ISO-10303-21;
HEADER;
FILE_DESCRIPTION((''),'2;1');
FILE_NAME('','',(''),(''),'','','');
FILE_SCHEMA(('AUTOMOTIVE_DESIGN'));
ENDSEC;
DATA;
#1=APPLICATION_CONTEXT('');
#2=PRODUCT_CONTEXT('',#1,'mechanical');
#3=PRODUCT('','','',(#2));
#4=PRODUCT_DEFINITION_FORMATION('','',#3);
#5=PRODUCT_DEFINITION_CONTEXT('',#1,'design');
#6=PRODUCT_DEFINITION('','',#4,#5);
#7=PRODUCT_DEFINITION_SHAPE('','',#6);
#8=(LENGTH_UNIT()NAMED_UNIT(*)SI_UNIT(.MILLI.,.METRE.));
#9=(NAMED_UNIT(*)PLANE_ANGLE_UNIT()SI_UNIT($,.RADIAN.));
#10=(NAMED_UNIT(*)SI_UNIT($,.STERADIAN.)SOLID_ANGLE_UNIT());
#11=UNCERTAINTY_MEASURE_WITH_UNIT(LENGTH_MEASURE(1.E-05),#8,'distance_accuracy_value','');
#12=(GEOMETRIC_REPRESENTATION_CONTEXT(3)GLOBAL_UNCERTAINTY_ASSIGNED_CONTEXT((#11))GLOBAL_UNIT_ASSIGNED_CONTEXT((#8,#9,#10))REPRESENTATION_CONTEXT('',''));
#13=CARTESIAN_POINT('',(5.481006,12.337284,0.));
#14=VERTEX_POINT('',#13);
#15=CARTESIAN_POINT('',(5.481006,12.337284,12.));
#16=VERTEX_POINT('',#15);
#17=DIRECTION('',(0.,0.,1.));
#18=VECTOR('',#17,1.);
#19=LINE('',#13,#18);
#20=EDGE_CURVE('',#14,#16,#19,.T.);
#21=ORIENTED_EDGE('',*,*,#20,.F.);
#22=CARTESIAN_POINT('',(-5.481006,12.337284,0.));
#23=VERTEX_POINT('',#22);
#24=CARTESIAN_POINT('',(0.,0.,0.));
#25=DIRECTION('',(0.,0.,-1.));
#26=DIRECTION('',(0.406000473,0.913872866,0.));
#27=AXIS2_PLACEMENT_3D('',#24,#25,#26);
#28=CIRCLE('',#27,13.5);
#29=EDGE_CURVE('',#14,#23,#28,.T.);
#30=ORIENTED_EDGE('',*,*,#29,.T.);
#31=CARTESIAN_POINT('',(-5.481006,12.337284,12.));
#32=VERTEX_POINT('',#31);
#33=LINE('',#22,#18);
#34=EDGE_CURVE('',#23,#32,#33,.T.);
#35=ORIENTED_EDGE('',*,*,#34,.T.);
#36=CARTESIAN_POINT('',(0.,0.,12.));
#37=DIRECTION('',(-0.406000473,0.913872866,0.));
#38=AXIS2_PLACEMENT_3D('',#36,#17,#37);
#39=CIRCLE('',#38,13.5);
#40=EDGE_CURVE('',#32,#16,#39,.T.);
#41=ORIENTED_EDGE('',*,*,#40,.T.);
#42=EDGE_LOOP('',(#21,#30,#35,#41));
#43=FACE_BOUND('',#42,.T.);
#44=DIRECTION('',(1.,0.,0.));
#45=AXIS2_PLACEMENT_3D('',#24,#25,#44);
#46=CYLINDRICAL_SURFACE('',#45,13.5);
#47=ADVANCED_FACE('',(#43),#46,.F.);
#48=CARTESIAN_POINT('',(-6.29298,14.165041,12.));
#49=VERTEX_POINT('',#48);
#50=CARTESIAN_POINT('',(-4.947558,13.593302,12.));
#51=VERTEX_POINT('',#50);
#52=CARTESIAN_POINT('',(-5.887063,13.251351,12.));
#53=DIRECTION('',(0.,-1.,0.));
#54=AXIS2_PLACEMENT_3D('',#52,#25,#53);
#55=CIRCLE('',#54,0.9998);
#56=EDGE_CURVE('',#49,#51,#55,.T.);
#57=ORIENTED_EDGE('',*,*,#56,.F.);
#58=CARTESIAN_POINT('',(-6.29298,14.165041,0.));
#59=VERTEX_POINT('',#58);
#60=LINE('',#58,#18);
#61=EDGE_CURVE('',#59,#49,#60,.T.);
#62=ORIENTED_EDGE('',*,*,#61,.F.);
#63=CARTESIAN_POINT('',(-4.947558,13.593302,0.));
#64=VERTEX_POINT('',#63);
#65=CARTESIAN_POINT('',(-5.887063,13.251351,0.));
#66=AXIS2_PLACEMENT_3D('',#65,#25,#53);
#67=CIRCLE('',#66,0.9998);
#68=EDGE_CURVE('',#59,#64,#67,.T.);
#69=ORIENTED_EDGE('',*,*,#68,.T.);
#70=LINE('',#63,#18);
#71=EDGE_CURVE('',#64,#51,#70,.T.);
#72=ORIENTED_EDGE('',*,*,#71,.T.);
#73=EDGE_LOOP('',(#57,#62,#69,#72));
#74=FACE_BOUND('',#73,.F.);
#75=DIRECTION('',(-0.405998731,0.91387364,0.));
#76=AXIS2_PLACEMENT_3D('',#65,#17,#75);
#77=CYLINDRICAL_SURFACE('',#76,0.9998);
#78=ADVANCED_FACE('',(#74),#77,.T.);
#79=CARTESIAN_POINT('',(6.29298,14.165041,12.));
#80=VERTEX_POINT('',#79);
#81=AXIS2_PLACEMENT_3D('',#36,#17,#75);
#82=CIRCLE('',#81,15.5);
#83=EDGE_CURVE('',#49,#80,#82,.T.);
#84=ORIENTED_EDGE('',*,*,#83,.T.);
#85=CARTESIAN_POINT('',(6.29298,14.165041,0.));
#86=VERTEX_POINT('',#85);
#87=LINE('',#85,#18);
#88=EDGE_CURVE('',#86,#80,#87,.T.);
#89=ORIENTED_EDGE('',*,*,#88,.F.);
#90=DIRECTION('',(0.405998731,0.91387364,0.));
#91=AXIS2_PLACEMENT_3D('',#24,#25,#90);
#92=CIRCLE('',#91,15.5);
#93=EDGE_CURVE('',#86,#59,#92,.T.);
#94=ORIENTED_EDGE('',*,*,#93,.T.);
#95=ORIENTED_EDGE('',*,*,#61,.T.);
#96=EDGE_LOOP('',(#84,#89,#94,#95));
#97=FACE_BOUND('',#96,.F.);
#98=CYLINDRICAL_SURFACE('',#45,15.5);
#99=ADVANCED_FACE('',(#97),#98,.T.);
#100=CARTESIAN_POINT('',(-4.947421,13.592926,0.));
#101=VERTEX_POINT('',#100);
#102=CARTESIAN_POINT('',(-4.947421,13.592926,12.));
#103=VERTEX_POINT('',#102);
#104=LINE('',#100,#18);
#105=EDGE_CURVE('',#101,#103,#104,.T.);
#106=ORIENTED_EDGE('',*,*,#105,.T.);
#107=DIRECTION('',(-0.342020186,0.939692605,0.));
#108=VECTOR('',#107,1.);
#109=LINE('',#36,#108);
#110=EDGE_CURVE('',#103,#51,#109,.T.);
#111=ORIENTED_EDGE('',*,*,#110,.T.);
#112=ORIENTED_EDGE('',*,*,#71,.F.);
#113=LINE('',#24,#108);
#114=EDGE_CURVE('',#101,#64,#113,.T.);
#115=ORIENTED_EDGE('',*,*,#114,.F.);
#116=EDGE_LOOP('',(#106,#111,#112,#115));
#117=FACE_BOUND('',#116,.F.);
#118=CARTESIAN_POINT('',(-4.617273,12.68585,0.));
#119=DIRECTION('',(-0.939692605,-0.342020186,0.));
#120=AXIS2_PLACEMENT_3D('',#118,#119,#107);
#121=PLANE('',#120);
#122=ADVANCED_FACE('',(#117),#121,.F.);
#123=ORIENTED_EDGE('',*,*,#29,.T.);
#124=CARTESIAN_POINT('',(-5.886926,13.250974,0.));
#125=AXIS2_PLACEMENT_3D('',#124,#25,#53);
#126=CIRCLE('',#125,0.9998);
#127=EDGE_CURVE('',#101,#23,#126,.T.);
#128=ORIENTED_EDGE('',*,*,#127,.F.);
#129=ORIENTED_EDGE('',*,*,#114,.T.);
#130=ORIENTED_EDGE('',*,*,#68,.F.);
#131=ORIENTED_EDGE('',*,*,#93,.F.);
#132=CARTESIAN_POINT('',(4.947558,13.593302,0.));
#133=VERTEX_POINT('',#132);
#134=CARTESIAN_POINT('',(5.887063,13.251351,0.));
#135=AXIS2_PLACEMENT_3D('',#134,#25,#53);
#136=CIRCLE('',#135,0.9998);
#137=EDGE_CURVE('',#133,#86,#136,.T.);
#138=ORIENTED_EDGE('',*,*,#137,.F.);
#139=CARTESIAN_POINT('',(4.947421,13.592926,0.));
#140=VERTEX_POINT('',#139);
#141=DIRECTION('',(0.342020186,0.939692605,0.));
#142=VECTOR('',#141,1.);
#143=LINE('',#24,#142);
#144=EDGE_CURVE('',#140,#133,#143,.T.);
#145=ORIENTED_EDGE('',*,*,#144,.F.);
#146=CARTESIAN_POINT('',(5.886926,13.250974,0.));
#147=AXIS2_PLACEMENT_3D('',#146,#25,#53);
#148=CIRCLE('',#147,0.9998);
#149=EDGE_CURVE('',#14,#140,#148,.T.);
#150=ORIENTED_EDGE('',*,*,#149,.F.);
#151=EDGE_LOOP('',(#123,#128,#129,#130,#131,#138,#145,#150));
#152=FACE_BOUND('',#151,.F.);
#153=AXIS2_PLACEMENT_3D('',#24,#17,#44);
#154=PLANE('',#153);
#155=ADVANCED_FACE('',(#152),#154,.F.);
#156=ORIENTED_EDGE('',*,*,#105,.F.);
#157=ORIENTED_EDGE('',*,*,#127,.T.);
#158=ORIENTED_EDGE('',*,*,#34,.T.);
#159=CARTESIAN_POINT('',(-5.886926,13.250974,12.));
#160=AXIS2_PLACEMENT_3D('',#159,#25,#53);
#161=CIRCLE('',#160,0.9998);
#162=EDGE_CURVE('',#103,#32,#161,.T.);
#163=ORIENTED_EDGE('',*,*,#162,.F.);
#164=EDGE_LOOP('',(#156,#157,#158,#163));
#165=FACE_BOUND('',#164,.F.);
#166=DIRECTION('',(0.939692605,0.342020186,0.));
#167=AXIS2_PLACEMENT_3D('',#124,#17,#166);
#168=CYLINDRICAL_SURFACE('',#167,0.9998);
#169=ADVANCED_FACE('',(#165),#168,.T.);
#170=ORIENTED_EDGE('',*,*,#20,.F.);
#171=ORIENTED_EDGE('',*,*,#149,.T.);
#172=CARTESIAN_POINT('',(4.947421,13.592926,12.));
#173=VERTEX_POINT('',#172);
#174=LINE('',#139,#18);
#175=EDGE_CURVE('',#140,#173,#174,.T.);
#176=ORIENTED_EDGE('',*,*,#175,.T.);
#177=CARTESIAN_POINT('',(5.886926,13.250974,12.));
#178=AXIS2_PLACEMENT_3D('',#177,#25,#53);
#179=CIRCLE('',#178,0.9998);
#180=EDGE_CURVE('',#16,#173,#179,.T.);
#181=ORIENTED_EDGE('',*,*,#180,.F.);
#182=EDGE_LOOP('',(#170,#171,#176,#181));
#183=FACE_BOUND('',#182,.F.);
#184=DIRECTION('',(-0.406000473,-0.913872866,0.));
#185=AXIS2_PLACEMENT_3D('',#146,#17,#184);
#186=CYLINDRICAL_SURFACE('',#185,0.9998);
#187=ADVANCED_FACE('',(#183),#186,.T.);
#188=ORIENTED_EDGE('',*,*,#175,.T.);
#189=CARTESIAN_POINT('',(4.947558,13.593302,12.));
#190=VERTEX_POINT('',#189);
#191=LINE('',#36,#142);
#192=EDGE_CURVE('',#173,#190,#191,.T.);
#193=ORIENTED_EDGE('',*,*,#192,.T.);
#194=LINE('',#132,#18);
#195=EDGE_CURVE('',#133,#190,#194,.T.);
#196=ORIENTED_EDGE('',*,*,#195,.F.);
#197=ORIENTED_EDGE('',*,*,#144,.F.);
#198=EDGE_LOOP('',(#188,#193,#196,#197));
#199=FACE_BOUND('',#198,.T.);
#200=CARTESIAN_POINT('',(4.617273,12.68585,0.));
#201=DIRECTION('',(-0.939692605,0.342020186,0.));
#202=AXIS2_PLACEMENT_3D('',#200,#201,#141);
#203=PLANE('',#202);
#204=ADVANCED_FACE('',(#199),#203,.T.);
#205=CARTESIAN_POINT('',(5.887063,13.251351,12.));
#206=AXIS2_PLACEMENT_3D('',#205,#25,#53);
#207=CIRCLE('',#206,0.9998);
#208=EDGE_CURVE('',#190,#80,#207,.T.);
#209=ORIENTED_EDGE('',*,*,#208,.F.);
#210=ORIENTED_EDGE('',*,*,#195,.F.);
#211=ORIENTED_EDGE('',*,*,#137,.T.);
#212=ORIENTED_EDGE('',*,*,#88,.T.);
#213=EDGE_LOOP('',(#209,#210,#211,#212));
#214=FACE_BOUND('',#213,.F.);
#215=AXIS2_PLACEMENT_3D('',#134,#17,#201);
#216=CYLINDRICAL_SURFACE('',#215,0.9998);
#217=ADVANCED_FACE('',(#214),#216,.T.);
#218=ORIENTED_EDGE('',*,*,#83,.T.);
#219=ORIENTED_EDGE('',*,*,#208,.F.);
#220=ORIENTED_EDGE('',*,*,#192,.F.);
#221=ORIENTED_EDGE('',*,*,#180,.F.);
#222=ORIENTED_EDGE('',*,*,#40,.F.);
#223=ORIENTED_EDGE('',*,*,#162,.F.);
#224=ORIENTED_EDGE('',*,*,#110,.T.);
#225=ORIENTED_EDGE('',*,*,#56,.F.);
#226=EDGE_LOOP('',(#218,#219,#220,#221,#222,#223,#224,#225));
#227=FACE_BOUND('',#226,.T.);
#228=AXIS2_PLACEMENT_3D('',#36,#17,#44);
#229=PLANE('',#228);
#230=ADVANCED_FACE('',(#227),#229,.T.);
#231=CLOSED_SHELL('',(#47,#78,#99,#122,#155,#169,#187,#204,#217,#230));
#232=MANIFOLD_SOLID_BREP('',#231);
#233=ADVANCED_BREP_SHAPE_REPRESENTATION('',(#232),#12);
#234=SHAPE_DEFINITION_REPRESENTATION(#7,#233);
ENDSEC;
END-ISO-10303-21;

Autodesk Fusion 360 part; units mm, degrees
sketch "Sketch1" plane through (0, 0, 0) normal (0, 0, 1) x (1, 0, 0)
  circle A0 centre (0, 0) radius 13.5
  circle A1 centre (0, 0) radius 15.5
  line L0 (0, 0) -> (-5.3013, 14.5652)
  line L1 (0, 0) -> (5.3013, 14.5652)
  line L2 (0, 0) -> (0, 25)
  dimension "d1" = 27
  dimension "d2" = 31
  dimension "d3" = 20
  dimension "d4" = 20
extrude "Extrude1" add sketch "Sketch1" along normal blind 12 contours A0 A1 L0 L1
fillet "Fillet1" radius 1 4 edges at (-5.3013, 14.5652, 6) (-4.6173, 12.6859, 6) (4.6173, 12.6859, 6) (5.3013, 14.5652, 6)
equation "d2 = d1 + 4 mm"
equation "d4 = d3"
